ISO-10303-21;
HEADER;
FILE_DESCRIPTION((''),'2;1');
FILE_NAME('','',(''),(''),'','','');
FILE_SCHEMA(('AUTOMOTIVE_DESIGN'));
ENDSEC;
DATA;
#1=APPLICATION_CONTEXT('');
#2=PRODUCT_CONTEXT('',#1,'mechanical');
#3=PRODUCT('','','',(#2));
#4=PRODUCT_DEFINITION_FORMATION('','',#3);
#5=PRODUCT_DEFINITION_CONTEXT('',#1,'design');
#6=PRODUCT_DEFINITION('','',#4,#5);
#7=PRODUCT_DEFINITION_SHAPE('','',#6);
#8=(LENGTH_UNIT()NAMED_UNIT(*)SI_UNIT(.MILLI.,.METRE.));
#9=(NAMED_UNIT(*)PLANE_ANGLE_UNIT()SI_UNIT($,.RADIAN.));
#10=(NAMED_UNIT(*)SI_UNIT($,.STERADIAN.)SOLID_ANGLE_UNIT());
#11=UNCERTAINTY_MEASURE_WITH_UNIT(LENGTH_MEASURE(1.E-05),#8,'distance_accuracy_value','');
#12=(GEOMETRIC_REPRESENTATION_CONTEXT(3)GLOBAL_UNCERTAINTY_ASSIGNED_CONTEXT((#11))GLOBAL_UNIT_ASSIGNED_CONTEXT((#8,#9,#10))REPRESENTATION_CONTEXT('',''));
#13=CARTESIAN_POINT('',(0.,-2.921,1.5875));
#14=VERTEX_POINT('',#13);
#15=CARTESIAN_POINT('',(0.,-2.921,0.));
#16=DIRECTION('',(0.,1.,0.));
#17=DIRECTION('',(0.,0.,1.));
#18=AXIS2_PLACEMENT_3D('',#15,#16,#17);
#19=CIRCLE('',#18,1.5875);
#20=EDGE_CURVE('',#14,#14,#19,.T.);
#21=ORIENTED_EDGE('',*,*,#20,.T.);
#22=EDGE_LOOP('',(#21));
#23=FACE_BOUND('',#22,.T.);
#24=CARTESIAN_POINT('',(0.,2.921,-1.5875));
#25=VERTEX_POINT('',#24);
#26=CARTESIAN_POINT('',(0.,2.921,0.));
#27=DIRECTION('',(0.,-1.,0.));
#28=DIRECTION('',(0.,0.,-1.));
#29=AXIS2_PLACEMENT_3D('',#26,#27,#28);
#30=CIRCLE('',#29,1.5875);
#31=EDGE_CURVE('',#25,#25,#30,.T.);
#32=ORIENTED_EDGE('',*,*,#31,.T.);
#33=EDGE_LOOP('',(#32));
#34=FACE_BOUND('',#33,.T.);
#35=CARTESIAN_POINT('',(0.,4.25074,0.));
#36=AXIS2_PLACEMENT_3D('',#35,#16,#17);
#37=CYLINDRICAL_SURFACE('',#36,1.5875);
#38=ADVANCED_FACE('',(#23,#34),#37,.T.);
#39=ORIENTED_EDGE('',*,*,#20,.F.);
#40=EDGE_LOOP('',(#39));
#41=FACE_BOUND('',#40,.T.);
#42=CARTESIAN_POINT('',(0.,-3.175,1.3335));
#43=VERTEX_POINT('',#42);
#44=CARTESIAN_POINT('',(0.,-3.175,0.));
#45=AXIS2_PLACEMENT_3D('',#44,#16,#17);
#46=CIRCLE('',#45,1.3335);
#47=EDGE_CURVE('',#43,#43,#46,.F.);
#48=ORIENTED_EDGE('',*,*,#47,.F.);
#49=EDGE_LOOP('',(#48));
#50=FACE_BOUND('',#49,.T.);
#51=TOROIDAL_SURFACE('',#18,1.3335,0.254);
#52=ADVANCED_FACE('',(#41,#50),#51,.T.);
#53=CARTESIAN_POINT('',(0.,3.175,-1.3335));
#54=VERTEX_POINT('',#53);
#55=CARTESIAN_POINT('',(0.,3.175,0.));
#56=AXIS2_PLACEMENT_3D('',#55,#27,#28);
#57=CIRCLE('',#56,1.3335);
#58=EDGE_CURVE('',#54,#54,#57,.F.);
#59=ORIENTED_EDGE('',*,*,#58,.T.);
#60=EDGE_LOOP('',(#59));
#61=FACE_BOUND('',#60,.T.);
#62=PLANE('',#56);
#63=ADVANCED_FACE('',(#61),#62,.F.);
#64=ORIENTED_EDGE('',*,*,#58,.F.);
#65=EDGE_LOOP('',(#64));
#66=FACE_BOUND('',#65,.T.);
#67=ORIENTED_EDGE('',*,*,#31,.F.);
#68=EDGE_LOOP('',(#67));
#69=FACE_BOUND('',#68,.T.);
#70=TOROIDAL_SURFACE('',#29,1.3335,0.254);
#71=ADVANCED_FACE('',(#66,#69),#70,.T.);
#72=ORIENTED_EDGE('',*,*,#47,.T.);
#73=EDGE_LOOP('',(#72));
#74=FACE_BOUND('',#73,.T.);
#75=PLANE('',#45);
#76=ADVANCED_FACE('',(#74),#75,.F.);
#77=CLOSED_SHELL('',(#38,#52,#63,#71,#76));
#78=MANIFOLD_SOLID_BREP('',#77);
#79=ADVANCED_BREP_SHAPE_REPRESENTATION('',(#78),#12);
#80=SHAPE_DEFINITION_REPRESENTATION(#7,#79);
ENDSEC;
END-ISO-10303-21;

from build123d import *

# Parameters (mm, degrees)
SKETCH2_W = 1.5875
SKETCH2_H = 6.35
FILLET1_R = 0.254


with BuildPart() as part:
    # Sketch2 → Revolve1 (revolve)
    with BuildSketch(Plane(origin=(0, 0, 0), x_dir=(0, 0, -1), z_dir=(1, 0, 0)), mode=Mode.PRIVATE) as revolve1_sk:
        with Locations((0.79375, 0)):
            Rectangle(SKETCH2_W, SKETCH2_H)
    revolve(revolve1_sk.sketch.rotate(Axis((0, 4.250740132, 0), (0, -1, 0)), 180), axis=Axis((0, 4.250740132, 0), (0, -1, 0)))

    # Fillet1
    fillet1_edges = [part.edges().sort_by_distance(p)[0] for p in [
        (0, 3.175, -1.5875),
        (0, -3.175, -1.5875),
    ]]
    fillet(fillet1_edges, radius=FILLET1_R)


solid = part.part
